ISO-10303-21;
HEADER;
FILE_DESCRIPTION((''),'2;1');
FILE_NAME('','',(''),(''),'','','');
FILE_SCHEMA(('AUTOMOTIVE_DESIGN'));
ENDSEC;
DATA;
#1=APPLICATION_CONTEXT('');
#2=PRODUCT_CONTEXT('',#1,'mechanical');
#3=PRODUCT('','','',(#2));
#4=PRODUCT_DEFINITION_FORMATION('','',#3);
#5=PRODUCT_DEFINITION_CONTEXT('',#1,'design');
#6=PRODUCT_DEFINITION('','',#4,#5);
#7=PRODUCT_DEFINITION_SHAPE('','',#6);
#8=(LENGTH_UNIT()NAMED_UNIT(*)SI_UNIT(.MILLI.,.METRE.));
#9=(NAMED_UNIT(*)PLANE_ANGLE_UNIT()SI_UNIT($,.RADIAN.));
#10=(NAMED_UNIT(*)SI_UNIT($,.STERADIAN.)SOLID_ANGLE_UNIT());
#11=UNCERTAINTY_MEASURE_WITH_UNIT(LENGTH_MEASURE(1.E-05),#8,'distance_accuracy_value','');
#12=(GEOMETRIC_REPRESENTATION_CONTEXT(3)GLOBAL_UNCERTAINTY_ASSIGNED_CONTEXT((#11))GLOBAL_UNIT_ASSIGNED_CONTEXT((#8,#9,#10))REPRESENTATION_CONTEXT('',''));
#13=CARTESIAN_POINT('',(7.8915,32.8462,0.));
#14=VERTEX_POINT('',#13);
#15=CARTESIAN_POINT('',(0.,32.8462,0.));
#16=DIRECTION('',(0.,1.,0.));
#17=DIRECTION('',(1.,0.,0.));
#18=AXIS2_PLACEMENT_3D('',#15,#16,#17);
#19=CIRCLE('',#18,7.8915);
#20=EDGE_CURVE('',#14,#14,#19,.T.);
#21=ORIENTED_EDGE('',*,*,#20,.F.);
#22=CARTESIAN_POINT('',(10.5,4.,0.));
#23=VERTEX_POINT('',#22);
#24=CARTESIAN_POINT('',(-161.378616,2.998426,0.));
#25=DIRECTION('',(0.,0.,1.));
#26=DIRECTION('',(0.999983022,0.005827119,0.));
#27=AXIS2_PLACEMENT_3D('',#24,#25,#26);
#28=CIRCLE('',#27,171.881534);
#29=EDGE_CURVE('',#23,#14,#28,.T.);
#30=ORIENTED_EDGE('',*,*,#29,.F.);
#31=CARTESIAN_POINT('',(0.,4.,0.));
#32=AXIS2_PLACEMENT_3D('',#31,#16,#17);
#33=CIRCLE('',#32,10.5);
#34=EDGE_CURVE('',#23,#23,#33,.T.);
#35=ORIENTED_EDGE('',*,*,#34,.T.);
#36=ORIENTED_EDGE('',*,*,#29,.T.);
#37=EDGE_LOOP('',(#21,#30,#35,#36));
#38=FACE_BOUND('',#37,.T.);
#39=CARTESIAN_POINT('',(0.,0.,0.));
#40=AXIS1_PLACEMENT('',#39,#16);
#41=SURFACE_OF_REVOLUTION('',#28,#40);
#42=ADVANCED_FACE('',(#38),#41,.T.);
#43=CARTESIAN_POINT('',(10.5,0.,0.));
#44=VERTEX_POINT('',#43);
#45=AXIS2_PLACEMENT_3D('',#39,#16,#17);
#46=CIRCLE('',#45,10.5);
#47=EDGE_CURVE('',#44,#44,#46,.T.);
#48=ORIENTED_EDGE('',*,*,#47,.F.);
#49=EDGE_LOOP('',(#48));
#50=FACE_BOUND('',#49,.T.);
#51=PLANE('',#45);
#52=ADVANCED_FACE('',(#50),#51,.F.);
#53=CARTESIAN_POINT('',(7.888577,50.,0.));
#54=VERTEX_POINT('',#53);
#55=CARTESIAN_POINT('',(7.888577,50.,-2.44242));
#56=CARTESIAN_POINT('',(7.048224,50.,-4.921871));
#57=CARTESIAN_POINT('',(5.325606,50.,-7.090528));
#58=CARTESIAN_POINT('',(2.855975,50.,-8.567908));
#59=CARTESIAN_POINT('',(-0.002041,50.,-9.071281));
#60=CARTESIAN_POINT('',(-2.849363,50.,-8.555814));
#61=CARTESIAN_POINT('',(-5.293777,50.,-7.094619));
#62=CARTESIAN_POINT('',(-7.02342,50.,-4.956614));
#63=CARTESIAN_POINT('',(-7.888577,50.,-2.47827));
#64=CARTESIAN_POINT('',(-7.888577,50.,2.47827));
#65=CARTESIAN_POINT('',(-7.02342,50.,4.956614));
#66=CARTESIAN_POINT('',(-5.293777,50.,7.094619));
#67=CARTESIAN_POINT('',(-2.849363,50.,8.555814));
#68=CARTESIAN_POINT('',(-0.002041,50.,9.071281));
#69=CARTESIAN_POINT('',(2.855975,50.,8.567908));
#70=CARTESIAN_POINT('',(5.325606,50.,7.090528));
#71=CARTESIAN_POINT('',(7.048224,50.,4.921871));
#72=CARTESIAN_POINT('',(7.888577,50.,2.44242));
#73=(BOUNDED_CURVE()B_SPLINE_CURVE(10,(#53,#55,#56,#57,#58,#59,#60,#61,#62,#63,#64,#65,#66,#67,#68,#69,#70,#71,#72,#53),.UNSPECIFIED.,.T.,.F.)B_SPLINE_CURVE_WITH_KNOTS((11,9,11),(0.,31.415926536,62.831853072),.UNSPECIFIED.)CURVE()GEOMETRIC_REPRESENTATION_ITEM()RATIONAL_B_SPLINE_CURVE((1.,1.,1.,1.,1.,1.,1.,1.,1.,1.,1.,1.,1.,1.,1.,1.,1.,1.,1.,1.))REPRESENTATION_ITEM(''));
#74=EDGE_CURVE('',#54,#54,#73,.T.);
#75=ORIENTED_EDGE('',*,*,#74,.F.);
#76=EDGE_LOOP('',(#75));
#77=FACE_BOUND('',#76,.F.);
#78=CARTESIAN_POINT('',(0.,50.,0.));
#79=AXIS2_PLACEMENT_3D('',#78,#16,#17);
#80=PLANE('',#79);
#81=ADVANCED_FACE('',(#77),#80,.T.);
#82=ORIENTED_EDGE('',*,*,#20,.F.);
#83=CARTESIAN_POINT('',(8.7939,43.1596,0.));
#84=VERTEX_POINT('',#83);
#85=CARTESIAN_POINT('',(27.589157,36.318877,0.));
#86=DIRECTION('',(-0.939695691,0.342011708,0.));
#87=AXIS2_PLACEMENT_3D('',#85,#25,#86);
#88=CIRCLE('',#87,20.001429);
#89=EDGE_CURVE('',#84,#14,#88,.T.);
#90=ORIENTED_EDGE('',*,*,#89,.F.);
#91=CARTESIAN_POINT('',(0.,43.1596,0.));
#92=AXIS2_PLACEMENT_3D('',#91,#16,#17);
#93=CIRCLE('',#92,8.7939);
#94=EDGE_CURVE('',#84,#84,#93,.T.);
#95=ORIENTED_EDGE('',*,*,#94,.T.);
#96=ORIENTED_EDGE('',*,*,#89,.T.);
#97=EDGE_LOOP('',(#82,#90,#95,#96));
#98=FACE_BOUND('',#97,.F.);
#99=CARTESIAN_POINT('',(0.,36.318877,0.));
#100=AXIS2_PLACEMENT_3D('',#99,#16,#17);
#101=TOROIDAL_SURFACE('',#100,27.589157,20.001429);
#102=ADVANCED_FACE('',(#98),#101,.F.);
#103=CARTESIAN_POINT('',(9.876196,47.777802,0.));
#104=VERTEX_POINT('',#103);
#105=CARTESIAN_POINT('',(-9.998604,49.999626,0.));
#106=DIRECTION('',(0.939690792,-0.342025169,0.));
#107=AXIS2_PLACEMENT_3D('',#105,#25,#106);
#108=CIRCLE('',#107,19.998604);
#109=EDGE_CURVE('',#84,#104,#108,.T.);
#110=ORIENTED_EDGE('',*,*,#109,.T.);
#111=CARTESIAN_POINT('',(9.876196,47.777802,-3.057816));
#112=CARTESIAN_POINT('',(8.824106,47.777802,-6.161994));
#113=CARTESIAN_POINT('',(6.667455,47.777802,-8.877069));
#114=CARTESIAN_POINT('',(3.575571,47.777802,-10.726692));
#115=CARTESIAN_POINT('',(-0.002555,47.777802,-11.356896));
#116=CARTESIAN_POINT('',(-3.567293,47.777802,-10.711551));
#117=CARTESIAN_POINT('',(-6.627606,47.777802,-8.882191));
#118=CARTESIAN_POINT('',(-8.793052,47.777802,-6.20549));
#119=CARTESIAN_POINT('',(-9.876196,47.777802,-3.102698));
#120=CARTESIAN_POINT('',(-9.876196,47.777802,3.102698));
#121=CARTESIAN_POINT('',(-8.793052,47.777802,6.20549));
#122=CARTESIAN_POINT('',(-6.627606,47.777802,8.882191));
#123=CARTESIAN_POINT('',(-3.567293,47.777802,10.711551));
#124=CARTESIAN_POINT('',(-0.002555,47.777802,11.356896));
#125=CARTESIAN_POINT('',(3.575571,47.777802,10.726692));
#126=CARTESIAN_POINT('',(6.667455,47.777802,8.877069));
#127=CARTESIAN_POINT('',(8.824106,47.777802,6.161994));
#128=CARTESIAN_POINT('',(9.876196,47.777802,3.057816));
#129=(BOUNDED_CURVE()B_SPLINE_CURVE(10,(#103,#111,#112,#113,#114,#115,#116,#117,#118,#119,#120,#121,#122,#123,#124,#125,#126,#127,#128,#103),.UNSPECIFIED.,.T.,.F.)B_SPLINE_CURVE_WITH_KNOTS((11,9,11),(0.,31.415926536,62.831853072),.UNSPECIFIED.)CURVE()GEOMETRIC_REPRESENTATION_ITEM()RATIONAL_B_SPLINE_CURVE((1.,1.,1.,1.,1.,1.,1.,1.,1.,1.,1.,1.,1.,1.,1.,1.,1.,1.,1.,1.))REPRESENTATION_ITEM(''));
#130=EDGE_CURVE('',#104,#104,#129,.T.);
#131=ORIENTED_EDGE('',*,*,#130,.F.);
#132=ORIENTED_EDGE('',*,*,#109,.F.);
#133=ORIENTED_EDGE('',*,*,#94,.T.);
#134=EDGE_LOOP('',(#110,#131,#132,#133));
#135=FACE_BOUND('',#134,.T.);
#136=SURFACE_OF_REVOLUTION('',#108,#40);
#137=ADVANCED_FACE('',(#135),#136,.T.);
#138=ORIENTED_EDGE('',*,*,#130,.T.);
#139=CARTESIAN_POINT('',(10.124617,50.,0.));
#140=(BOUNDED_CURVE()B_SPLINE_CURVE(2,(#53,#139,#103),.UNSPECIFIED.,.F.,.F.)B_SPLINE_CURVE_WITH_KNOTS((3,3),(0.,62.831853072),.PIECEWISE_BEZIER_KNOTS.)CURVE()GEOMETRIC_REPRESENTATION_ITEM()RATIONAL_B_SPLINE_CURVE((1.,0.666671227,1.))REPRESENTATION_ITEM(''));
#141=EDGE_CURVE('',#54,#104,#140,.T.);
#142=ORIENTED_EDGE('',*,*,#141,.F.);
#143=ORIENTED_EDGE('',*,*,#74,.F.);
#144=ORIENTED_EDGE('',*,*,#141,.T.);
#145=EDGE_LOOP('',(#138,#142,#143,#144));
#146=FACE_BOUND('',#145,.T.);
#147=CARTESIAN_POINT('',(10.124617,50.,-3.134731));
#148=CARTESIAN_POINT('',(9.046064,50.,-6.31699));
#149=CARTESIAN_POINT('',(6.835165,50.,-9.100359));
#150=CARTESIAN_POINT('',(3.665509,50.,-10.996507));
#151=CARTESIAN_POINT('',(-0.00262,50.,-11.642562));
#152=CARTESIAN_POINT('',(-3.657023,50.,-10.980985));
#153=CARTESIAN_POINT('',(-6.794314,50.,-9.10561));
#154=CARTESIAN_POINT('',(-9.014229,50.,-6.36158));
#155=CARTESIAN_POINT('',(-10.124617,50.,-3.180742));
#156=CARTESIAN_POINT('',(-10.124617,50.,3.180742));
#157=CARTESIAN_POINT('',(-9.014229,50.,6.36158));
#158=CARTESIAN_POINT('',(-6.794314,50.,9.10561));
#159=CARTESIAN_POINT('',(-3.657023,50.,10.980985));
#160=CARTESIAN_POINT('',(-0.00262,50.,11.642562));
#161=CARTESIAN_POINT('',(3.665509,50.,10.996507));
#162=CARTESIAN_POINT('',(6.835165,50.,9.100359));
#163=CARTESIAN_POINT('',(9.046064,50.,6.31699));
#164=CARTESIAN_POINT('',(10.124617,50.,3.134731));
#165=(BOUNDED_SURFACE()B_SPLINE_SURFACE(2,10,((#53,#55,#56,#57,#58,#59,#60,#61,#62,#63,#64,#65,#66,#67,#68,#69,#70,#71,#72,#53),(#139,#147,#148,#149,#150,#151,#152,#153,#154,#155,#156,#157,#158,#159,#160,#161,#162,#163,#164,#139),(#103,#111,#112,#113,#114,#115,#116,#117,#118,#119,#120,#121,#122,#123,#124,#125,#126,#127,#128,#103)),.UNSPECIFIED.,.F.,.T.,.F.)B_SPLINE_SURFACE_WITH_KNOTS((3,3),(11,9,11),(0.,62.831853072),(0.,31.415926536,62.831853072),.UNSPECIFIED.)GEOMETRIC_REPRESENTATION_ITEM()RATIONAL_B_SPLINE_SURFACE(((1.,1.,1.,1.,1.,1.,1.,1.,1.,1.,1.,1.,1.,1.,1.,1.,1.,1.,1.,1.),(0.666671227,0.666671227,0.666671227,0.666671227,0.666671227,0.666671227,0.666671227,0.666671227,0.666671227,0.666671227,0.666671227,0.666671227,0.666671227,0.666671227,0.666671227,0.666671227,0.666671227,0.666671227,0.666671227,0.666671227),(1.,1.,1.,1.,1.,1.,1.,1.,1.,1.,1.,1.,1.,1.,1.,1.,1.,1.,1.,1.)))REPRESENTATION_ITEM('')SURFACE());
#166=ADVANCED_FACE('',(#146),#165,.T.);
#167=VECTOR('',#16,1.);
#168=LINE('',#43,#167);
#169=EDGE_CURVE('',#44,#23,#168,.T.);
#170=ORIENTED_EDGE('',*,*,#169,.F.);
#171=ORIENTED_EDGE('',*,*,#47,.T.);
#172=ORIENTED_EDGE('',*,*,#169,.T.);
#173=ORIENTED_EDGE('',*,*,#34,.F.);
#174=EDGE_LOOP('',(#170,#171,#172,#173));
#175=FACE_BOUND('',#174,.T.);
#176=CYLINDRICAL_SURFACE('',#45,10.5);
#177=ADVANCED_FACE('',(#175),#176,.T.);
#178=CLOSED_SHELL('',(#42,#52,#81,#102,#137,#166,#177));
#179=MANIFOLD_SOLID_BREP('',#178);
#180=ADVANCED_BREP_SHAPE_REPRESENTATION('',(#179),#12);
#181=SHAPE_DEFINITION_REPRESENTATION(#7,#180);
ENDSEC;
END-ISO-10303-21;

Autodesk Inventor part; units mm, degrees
ref_plane "YZ Plane" through (0, 0, 0) normal (1, 0, 0) x (0, 1, 0)
ref_plane "XZ Plane" through (0, 0, 0) normal (0, 1, 0) x (-1, 0, 0)
ref_plane "XY Plane" through (0, 0, 0) normal (0, 0, 1) x (1, 0, 0)
sketch "Sketch1" plane through (0, 0, 0) normal (0, 0, 1) x (1, 0, 0)
  line L0 (0, 0) -> (10.5, 0)
  line L1 (10.5, 0) -> (10.5, 4)
  line L2 (0, 0) -> (0, 50)
  line L3 (0, 50) -> (10, 50)
  arc A0 (8.7939, 43.1596) -> (10, 50) centre (-10, 50) ccw
  line L4 (-10, 50) -> (8.7939, 43.1596) construction
  line L5 (-10, 50) -> (10, 50) construction
  arc A1 (8.7939, 43.1596) -> (7.8915, 32.8462) centre (27.5877, 36.3192) ccw
  line L6 (27.5877, 36.3192) -> (7.8915, 32.8462) construction
  line L7 (27.5877, 36.3192) -> (8.7939, 43.1596) construction
  arc A2 (10.5, 4) -> (7.8915, 32.8462) centre (-161.3854, 2.9981) ccw
  dimension "d1" = 10.5
  dimension "d2" = 4
  dimension "d3" = 50
  dimension "d4" = 10
  dimension "d5" = 20
  dimension "d6" = 10
  dimension "d8" = 6.8404
  dimension "d9" = 30
  dimension "d10" = 20
  dimension "d12" = 20
  dimension "d13" = 0
revolve "Revolution1" add sketch "Sketch1" angle 360 about axis through (0, 0, 0) along (0, 1, 0)
fillet "Fillet1" radius 2 1 edges at (-10, 50, 0)
properties part number "Cutting Template"
